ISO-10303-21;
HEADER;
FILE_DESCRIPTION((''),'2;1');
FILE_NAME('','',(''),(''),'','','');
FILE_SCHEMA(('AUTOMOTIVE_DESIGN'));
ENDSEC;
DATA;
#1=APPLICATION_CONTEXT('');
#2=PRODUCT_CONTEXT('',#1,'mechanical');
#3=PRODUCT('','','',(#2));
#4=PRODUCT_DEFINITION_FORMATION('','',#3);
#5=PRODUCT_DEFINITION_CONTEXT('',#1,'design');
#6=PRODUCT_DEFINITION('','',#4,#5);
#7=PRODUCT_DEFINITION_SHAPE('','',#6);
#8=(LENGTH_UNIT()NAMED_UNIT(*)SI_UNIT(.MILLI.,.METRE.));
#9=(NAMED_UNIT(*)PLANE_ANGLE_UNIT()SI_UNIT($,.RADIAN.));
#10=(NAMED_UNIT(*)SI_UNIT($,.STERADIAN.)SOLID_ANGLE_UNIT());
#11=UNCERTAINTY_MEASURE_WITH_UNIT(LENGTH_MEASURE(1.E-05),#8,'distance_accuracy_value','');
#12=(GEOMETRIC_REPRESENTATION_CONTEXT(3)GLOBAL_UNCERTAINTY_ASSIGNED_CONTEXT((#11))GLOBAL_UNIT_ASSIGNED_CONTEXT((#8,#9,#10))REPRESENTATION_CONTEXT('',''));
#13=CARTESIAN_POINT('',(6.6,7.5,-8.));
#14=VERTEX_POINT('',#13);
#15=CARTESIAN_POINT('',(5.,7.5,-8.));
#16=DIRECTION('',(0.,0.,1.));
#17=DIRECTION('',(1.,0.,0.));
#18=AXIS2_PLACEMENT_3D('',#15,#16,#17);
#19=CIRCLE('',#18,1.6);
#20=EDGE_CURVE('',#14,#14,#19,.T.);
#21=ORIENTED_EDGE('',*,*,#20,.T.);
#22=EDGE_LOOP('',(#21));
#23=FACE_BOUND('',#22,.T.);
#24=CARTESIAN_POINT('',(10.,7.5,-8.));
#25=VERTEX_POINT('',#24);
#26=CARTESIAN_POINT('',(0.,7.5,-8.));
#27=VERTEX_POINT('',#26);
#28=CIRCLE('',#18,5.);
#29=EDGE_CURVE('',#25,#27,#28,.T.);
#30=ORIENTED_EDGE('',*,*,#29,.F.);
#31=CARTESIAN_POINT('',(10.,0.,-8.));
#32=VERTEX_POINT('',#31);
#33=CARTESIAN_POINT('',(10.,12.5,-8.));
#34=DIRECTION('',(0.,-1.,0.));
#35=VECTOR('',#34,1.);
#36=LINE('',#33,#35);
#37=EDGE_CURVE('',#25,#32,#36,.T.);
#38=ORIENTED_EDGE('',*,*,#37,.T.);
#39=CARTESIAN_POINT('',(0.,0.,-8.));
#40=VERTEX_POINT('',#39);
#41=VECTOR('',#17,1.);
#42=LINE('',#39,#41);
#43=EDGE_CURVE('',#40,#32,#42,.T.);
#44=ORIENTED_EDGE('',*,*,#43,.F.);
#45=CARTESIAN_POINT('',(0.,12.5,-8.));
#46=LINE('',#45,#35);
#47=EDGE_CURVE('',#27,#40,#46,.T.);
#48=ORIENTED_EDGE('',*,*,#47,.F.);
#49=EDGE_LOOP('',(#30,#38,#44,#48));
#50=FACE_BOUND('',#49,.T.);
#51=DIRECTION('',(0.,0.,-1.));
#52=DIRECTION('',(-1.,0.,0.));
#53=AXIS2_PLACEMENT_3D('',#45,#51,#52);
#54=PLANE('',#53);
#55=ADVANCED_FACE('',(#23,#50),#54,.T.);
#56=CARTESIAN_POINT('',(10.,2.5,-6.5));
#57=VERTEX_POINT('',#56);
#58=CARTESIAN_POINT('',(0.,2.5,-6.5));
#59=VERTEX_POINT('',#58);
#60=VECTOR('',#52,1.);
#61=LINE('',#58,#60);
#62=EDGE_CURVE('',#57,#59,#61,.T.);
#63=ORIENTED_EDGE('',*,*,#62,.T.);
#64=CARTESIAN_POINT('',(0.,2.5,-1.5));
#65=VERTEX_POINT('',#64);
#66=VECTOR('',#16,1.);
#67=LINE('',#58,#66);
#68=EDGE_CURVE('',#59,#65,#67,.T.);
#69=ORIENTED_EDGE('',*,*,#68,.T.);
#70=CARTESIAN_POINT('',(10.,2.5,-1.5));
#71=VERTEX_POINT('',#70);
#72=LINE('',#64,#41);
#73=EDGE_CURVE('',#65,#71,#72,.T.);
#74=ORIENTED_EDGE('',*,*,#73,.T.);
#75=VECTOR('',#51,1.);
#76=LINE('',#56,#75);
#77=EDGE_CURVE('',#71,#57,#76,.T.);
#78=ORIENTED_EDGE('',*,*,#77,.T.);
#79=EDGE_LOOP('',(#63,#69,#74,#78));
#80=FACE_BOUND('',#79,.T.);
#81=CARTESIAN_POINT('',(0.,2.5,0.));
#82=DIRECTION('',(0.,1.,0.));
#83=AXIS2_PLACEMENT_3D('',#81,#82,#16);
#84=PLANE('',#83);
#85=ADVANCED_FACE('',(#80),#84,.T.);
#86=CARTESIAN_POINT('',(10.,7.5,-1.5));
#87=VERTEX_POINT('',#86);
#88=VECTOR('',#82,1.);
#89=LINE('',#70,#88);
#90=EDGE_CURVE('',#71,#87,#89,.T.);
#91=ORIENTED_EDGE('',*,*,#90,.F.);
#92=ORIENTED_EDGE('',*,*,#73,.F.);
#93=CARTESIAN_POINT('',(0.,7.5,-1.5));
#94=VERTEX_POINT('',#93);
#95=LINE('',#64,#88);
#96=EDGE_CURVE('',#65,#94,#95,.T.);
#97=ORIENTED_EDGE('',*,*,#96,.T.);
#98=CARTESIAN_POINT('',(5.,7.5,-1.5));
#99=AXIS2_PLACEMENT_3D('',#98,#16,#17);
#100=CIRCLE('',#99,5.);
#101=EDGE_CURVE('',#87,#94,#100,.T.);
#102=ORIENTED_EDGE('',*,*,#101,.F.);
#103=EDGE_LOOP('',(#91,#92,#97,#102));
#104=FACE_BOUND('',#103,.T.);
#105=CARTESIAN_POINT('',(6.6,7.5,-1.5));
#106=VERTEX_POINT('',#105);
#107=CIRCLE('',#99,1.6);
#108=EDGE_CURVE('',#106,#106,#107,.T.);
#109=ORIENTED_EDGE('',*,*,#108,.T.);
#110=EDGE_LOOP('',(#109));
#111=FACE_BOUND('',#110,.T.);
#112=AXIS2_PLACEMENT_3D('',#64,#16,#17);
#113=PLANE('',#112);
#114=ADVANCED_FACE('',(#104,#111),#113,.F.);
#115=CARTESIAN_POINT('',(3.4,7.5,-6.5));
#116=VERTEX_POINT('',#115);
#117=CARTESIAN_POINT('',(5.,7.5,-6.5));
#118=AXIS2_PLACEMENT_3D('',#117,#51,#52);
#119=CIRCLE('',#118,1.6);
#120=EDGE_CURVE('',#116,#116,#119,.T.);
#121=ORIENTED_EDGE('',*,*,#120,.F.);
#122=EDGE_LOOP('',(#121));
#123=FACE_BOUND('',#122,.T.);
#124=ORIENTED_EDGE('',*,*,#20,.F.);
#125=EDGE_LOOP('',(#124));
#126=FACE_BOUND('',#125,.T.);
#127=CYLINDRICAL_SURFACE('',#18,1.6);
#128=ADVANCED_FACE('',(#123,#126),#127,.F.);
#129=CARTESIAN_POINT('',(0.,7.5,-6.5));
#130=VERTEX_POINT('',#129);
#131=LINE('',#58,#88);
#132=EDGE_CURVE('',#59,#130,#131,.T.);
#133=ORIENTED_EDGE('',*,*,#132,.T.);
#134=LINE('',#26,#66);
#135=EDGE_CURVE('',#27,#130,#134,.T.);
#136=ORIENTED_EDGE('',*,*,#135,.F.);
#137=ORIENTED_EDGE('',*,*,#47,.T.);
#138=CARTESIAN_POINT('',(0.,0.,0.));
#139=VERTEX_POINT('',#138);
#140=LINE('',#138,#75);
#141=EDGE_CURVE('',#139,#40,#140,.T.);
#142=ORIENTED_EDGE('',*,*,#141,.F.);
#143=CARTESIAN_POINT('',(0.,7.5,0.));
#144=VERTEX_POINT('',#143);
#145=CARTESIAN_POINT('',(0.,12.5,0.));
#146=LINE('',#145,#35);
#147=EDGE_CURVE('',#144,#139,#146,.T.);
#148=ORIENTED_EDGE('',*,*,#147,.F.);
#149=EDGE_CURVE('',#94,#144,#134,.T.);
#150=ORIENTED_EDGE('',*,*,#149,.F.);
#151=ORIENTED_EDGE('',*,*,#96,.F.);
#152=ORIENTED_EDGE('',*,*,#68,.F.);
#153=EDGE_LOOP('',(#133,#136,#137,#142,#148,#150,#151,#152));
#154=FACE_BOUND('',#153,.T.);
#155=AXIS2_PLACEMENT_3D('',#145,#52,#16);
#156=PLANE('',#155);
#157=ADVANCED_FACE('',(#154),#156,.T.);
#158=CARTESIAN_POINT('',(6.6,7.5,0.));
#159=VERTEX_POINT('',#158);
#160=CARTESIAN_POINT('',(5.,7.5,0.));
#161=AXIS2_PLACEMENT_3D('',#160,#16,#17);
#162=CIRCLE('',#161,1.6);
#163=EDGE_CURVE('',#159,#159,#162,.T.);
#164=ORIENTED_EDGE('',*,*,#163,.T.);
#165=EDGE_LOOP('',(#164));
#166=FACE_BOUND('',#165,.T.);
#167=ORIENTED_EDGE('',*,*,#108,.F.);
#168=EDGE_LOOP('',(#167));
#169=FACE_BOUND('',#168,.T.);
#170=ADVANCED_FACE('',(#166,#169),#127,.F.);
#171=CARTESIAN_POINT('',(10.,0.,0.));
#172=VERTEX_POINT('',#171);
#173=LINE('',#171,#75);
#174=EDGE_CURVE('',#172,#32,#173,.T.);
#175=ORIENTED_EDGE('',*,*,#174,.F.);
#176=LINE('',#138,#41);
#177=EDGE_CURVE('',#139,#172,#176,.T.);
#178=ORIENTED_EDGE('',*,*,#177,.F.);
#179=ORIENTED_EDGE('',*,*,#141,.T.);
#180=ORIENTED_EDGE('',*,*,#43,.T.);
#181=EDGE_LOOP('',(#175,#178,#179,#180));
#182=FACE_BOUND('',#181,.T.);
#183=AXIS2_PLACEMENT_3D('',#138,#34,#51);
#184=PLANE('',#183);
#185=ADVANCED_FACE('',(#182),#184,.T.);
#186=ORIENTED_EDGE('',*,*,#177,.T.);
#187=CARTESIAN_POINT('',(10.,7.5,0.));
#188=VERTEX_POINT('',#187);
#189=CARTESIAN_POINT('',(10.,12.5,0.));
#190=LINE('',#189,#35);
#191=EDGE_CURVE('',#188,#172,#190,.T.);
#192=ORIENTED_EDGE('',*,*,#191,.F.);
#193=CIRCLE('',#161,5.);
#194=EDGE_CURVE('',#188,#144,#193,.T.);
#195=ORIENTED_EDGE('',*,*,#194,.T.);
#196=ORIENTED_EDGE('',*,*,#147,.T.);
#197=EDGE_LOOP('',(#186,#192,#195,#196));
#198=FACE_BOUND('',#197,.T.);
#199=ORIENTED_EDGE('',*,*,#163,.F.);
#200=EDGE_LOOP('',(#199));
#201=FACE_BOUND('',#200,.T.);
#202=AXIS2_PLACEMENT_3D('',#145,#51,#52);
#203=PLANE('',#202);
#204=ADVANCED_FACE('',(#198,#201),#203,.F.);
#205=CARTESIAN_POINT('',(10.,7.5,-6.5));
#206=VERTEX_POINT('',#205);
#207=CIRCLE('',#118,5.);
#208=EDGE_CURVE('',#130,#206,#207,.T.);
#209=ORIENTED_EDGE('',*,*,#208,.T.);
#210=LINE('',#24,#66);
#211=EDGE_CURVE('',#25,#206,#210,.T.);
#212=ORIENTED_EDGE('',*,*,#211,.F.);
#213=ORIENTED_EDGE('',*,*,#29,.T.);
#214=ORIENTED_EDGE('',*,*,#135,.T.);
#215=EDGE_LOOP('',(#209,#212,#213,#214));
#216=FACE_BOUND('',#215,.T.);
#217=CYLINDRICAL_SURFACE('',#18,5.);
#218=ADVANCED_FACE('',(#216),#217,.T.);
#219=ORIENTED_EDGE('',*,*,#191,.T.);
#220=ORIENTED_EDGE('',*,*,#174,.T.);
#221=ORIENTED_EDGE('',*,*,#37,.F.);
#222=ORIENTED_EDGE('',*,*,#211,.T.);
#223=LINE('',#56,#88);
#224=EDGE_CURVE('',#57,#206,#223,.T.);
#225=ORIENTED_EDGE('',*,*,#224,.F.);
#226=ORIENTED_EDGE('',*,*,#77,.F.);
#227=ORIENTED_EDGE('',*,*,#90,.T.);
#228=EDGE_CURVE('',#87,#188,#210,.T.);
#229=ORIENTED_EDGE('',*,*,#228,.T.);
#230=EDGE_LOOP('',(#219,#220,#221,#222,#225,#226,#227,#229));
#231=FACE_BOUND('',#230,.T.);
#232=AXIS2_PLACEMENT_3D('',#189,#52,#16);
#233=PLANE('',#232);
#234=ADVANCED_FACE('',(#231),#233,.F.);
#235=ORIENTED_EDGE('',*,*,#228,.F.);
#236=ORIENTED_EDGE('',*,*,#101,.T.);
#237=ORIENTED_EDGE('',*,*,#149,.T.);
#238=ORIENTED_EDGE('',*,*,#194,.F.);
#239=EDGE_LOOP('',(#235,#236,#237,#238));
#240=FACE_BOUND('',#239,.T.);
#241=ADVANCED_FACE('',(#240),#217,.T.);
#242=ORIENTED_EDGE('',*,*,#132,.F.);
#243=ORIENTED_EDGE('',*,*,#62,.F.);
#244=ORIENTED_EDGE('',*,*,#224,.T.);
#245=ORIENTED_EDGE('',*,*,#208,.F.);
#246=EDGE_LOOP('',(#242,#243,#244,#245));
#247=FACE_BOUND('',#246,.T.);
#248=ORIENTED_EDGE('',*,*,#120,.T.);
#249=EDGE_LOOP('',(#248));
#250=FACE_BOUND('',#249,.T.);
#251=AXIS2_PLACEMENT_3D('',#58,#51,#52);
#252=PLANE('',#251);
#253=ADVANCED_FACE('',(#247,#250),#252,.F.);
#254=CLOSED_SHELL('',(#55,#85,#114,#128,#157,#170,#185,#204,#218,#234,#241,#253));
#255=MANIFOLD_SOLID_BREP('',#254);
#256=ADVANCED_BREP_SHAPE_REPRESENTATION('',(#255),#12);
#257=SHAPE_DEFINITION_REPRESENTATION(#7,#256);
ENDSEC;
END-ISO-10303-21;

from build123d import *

# Parameters (mm, degrees)
SKETCH_2_W          = 10
SKETCH_2_H          = 8
EXTRUDE_1_DEPTH     = 12.5
SKETCH_3_W          = 10
SKETCH_3_H          = 5
CUT_EXTRUDE_1_DEPTH = 10
SKETCH_4_R          = 1.6
CUT_EXTRUDE_2_DEPTH = 18.895530168
SKETCH_5_OUTSIDE_W  = 15.58
SKETCH_5_OUTSIDE_H  = 18.08
CUT_EXTRUDE_3_DEPTH = 18.895530168


with BuildPart() as part:
    # ｽｹｯﾁ2 → ﾎﾞｽ - 押し出し1 (new body)
    with BuildSketch(Plane(origin=(0, 0, 0), x_dir=(1, 0, 0), z_dir=(0, 1, 0))):
        with Locations((5, 4)):
            Rectangle(SKETCH_2_W, SKETCH_2_H)
    extrude(amount=EXTRUDE_1_DEPTH)

    # ｽｹｯﾁ3 → ｶｯﾄ - 押し出し1 (cut)
    with BuildSketch(Plane(origin=(0, 12.5, 0), x_dir=(1, 0, 0), z_dir=(0, 1, 0))):
        with Locations((5, 4)):
            Rectangle(SKETCH_3_W, SKETCH_3_H)
    extrude(amount=-CUT_EXTRUDE_1_DEPTH, mode=Mode.SUBTRACT)

    # ｽｹｯﾁ4 → ｶｯﾄ - 押し出し2 (cut, through all)
    with BuildSketch(Plane.XY):
        with Locations((5, 7.5)):
            Circle(SKETCH_4_R)
    extrude(amount=-CUT_EXTRUDE_2_DEPTH, mode=Mode.SUBTRACT)

    # ｽｹｯﾁ5 outside → ｶｯﾄ - 押し出し3 (cut, through all)
    with BuildSketch(Plane.XY):
        with Locations((5, 6.25)):
            Rectangle(SKETCH_5_OUTSIDE_W, SKETCH_5_OUTSIDE_H)
        with BuildLine():
            Line((0, 7.5), (0, 0))
            Line((0, 0), (10, 0))
            Line((10, 0), (10, 7.5))
            ThreePointArc((10, 7.5), (5, 12.5), (0, 7.5))
        make_face(mode=Mode.SUBTRACT)
    extrude(amount=-CUT_EXTRUDE_3_DEPTH, mode=Mode.SUBTRACT)


solid = part.part
